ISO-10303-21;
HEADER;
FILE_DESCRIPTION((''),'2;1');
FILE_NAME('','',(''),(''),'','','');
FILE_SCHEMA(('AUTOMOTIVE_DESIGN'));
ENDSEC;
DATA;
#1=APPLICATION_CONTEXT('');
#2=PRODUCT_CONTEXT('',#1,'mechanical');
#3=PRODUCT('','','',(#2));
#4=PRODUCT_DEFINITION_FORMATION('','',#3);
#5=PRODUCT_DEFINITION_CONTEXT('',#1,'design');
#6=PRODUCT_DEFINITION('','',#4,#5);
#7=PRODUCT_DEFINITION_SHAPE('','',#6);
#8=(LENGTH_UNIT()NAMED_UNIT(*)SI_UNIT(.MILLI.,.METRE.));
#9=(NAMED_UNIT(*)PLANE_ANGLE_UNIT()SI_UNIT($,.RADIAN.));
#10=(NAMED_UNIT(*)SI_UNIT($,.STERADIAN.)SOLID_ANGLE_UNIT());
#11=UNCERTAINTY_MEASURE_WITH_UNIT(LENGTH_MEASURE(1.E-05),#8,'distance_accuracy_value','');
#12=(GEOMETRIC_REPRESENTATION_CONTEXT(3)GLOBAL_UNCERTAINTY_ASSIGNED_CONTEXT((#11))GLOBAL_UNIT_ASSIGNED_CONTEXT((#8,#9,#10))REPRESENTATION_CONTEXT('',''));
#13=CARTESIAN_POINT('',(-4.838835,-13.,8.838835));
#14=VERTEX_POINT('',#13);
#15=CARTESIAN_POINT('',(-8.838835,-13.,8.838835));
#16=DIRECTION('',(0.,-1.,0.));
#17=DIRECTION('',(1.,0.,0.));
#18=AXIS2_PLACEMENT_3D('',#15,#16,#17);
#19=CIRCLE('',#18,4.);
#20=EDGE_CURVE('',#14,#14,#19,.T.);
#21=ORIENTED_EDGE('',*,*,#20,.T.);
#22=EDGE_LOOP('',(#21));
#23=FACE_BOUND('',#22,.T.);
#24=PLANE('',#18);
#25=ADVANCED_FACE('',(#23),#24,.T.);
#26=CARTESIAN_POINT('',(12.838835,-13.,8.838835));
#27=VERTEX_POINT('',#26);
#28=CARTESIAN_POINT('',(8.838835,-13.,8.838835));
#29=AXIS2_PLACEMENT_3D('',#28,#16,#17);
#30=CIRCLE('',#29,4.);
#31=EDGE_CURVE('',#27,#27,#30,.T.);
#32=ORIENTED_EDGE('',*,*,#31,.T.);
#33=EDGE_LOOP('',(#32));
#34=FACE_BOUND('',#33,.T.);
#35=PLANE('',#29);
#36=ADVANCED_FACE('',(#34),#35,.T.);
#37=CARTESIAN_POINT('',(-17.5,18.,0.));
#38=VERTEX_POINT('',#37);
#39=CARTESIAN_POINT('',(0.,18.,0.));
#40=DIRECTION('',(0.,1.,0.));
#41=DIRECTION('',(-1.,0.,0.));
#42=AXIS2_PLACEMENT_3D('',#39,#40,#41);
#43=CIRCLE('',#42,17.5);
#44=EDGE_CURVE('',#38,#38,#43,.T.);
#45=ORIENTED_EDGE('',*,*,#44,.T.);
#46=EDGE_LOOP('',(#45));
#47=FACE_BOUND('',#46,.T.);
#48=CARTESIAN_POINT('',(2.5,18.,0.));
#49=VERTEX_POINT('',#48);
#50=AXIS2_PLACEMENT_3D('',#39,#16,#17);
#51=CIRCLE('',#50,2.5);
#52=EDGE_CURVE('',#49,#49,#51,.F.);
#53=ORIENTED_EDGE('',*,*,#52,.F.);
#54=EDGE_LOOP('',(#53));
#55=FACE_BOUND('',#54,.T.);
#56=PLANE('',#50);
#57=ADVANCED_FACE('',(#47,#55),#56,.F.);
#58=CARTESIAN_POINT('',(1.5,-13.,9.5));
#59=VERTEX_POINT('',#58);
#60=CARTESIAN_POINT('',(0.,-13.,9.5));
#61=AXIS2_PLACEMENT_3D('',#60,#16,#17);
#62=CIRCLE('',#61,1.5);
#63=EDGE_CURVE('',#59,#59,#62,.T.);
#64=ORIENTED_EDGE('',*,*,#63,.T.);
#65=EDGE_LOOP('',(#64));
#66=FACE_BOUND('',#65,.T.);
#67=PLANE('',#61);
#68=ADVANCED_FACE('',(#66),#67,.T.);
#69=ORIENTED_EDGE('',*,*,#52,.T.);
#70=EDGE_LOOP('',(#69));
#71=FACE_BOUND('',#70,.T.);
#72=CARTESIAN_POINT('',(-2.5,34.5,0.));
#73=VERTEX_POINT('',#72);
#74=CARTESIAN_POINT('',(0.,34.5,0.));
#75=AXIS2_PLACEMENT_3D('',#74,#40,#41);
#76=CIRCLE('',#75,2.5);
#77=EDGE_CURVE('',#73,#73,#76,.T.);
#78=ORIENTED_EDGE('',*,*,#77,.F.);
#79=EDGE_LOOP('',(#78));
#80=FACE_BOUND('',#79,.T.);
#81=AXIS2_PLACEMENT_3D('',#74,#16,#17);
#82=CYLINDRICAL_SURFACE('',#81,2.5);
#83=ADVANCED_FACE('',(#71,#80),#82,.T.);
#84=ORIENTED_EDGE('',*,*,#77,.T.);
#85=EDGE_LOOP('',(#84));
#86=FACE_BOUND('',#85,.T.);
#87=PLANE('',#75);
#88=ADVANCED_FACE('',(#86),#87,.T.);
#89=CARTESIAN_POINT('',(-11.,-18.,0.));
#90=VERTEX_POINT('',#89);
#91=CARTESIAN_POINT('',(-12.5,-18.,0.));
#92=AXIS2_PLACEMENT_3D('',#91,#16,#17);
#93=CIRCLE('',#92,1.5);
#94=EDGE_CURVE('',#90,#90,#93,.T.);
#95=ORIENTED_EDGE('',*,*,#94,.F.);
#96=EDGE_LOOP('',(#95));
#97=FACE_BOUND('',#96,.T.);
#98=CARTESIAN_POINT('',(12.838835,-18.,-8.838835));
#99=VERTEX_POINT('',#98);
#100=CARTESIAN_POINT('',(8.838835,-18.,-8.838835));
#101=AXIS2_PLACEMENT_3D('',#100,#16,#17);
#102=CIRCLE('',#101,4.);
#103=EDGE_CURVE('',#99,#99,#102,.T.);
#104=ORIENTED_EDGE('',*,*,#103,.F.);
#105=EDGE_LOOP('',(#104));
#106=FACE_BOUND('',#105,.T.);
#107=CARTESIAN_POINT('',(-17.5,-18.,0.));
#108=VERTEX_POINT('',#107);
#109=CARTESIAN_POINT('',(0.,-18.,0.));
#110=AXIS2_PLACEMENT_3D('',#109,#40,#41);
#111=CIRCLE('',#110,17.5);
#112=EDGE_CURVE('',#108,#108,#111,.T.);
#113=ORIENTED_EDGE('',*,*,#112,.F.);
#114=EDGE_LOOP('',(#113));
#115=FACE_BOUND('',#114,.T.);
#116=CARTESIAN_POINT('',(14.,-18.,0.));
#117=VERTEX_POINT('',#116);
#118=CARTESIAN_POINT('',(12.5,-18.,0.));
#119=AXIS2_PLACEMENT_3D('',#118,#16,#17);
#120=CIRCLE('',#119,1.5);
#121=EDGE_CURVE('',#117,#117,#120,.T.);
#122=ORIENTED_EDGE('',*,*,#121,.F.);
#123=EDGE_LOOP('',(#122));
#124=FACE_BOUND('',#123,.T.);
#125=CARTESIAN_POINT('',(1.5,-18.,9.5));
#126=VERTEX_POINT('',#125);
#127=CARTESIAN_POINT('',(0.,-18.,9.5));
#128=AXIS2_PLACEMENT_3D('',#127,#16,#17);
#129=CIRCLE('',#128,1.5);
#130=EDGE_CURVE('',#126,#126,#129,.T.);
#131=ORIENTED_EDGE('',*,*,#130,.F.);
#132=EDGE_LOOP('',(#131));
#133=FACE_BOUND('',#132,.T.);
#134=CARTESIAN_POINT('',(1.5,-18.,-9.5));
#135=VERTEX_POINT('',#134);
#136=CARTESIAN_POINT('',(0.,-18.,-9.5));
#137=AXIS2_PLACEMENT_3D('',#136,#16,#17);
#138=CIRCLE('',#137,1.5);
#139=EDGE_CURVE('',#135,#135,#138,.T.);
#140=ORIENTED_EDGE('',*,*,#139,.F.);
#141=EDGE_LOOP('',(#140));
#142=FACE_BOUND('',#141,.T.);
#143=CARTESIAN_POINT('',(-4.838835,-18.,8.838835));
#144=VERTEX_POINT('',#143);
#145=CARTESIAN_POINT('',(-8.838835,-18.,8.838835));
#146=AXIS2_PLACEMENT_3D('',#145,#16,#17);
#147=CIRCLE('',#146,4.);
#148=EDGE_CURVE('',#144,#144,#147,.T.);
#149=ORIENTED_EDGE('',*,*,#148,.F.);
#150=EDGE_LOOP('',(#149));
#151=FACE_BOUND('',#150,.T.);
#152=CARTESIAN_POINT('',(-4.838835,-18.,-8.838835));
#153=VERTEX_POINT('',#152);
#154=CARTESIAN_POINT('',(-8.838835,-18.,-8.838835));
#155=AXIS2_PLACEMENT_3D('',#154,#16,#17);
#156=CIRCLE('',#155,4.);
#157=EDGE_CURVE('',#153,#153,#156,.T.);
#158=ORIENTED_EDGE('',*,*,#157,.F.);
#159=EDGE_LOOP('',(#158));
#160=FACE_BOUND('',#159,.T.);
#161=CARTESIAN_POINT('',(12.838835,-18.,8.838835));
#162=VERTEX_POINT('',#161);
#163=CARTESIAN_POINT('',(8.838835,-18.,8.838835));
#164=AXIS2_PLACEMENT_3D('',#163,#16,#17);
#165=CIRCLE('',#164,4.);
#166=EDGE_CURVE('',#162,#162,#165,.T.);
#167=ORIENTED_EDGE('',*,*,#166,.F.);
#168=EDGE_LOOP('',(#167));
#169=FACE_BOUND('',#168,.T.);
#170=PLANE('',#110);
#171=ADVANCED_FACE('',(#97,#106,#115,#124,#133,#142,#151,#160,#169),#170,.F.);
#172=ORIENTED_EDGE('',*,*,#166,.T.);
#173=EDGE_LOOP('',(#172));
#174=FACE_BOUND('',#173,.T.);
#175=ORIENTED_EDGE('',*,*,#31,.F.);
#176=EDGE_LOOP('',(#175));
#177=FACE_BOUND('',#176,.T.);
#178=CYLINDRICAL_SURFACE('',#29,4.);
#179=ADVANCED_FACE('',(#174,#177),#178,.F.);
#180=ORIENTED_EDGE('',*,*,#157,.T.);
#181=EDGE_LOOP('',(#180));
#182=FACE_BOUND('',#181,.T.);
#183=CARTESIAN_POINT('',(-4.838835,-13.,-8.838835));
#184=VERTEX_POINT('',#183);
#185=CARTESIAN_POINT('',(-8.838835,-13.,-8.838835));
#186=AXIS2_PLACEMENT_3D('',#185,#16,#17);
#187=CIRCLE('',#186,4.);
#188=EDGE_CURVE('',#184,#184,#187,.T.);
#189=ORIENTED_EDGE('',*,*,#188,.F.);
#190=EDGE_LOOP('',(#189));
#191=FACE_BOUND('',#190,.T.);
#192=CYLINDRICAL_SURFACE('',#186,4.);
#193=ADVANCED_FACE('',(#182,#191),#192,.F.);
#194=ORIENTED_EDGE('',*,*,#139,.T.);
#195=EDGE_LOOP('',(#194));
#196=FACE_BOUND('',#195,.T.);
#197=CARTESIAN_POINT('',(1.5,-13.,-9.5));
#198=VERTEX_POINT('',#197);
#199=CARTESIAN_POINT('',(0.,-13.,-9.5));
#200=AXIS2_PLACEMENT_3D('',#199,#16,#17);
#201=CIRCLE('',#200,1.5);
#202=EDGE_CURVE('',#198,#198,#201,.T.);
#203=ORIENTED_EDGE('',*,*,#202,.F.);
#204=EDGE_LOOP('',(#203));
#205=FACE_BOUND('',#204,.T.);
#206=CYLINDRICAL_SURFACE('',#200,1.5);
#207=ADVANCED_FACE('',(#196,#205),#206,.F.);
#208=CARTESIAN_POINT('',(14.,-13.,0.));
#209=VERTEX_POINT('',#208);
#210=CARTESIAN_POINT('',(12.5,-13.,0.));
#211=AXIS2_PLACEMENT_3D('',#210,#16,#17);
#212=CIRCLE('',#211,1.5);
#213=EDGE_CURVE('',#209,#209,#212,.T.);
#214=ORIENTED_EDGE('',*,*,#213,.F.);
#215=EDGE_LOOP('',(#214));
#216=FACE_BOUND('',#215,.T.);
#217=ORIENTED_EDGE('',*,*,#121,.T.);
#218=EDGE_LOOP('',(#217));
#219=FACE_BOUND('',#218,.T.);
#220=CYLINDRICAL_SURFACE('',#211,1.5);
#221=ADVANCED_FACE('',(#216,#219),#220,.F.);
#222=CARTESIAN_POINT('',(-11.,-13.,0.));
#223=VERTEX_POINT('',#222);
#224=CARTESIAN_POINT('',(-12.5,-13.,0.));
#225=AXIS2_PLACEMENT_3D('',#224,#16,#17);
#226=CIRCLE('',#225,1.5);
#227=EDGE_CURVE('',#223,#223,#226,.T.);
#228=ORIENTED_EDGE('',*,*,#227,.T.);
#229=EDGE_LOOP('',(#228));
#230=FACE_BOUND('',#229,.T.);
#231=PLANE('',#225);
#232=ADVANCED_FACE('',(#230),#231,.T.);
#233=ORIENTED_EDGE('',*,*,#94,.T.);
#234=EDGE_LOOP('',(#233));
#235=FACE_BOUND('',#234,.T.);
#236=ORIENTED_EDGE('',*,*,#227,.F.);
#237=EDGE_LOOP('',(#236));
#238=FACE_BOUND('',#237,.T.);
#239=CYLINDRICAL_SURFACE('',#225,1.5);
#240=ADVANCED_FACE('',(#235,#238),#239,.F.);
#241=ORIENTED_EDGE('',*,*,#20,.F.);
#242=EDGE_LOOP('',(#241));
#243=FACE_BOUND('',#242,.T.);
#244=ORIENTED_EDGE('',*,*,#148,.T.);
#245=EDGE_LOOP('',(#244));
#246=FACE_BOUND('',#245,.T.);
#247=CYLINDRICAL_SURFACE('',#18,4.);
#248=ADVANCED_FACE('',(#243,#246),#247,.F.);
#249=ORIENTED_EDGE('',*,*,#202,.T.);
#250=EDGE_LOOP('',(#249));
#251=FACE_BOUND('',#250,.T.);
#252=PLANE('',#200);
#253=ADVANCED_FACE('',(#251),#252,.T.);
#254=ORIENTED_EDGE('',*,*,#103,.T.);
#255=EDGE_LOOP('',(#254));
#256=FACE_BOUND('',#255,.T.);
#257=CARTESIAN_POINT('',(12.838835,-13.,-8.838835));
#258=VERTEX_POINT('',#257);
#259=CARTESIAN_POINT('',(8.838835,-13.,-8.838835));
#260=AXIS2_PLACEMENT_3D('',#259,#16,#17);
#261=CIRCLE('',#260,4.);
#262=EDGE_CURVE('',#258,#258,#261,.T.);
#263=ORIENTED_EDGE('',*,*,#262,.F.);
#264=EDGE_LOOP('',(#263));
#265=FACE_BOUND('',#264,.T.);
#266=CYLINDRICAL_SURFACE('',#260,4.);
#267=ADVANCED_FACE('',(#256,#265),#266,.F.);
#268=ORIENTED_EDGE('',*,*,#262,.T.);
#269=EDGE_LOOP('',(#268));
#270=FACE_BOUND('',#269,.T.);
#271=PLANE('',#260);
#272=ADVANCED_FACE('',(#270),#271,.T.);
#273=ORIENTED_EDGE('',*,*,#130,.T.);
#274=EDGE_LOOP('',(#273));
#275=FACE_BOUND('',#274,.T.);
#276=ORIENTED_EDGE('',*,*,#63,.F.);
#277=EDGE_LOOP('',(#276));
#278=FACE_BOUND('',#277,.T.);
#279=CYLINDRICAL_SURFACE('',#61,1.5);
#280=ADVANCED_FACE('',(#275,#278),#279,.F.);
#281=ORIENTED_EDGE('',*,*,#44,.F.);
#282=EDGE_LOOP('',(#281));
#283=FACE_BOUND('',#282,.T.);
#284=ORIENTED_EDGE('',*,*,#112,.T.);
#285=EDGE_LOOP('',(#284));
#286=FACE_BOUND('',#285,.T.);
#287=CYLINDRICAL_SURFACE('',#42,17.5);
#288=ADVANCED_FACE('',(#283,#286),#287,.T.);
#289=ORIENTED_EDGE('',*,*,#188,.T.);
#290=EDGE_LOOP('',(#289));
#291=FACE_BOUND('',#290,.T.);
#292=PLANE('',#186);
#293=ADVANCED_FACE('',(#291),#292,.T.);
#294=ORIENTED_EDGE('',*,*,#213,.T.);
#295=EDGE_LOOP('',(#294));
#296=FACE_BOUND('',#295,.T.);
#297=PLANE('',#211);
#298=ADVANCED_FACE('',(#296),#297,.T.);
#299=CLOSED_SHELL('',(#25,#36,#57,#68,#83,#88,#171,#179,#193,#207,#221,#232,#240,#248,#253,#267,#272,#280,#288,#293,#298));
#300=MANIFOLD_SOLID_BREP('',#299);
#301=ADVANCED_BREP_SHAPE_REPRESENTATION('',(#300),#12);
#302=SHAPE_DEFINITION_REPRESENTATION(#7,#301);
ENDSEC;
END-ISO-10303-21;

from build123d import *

# Parameters (mm, degrees)
SKETCH2_W           = 17.5
SKETCH2_H           = 36
SKETCH3_R           = 2.5
BOSS_EXTRUDE1_DEPTH = 16.5
SKETCH4_R           = 1.5
SKETCH4_R_2         = 4
CUT_EXTRUDE2_DEPTH  = 5


with BuildPart() as part:
    # Sketch2 → Revolve1 (revolve)
    with BuildSketch(Plane.XY, mode=Mode.PRIVATE) as revolve1_sk:
        with Locations((8.75, 0)):
            Rectangle(SKETCH2_W, SKETCH2_H)
    revolve(revolve1_sk.sketch.rotate(Axis((0, 18, 0), (0, -1, 0)), 180), axis=Axis((0, 18, 0), (0, -1, 0)))

    # Sketch3 → Boss-Extrude1 (add)
    with BuildSketch(Plane(origin=(0, 18, 0), x_dir=(1, 0, 0), z_dir=(0, 1, 0))):
        Circle(SKETCH3_R)
    extrude(amount=BOSS_EXTRUDE1_DEPTH)

    # Sketch4 → Cut-Extrude2 (cut)
    with BuildSketch(Plane.XZ.offset(18)):
        with Locations((0, 9.5)):
            Circle(SKETCH4_R)
        with Locations((0, -9.5)):
            Circle(SKETCH4_R)
        with Locations((12.5, 0)):
            Circle(SKETCH4_R)
        with Locations((-12.5, 0)):
            Circle(SKETCH4_R)
        with Locations((-8.838834765, 8.838834765)):
            Circle(SKETCH4_R_2)
        with Locations((8.838834765, -8.838834765)):
            Circle(SKETCH4_R_2)
        with Locations((-8.838834765, -8.838834765)):
            Circle(SKETCH4_R_2)
        with Locations((8.838834765, 8.838834765)):
            Circle(SKETCH4_R_2)
    extrude(amount=-CUT_EXTRUDE2_DEPTH, mode=Mode.SUBTRACT)


solid = part.part
